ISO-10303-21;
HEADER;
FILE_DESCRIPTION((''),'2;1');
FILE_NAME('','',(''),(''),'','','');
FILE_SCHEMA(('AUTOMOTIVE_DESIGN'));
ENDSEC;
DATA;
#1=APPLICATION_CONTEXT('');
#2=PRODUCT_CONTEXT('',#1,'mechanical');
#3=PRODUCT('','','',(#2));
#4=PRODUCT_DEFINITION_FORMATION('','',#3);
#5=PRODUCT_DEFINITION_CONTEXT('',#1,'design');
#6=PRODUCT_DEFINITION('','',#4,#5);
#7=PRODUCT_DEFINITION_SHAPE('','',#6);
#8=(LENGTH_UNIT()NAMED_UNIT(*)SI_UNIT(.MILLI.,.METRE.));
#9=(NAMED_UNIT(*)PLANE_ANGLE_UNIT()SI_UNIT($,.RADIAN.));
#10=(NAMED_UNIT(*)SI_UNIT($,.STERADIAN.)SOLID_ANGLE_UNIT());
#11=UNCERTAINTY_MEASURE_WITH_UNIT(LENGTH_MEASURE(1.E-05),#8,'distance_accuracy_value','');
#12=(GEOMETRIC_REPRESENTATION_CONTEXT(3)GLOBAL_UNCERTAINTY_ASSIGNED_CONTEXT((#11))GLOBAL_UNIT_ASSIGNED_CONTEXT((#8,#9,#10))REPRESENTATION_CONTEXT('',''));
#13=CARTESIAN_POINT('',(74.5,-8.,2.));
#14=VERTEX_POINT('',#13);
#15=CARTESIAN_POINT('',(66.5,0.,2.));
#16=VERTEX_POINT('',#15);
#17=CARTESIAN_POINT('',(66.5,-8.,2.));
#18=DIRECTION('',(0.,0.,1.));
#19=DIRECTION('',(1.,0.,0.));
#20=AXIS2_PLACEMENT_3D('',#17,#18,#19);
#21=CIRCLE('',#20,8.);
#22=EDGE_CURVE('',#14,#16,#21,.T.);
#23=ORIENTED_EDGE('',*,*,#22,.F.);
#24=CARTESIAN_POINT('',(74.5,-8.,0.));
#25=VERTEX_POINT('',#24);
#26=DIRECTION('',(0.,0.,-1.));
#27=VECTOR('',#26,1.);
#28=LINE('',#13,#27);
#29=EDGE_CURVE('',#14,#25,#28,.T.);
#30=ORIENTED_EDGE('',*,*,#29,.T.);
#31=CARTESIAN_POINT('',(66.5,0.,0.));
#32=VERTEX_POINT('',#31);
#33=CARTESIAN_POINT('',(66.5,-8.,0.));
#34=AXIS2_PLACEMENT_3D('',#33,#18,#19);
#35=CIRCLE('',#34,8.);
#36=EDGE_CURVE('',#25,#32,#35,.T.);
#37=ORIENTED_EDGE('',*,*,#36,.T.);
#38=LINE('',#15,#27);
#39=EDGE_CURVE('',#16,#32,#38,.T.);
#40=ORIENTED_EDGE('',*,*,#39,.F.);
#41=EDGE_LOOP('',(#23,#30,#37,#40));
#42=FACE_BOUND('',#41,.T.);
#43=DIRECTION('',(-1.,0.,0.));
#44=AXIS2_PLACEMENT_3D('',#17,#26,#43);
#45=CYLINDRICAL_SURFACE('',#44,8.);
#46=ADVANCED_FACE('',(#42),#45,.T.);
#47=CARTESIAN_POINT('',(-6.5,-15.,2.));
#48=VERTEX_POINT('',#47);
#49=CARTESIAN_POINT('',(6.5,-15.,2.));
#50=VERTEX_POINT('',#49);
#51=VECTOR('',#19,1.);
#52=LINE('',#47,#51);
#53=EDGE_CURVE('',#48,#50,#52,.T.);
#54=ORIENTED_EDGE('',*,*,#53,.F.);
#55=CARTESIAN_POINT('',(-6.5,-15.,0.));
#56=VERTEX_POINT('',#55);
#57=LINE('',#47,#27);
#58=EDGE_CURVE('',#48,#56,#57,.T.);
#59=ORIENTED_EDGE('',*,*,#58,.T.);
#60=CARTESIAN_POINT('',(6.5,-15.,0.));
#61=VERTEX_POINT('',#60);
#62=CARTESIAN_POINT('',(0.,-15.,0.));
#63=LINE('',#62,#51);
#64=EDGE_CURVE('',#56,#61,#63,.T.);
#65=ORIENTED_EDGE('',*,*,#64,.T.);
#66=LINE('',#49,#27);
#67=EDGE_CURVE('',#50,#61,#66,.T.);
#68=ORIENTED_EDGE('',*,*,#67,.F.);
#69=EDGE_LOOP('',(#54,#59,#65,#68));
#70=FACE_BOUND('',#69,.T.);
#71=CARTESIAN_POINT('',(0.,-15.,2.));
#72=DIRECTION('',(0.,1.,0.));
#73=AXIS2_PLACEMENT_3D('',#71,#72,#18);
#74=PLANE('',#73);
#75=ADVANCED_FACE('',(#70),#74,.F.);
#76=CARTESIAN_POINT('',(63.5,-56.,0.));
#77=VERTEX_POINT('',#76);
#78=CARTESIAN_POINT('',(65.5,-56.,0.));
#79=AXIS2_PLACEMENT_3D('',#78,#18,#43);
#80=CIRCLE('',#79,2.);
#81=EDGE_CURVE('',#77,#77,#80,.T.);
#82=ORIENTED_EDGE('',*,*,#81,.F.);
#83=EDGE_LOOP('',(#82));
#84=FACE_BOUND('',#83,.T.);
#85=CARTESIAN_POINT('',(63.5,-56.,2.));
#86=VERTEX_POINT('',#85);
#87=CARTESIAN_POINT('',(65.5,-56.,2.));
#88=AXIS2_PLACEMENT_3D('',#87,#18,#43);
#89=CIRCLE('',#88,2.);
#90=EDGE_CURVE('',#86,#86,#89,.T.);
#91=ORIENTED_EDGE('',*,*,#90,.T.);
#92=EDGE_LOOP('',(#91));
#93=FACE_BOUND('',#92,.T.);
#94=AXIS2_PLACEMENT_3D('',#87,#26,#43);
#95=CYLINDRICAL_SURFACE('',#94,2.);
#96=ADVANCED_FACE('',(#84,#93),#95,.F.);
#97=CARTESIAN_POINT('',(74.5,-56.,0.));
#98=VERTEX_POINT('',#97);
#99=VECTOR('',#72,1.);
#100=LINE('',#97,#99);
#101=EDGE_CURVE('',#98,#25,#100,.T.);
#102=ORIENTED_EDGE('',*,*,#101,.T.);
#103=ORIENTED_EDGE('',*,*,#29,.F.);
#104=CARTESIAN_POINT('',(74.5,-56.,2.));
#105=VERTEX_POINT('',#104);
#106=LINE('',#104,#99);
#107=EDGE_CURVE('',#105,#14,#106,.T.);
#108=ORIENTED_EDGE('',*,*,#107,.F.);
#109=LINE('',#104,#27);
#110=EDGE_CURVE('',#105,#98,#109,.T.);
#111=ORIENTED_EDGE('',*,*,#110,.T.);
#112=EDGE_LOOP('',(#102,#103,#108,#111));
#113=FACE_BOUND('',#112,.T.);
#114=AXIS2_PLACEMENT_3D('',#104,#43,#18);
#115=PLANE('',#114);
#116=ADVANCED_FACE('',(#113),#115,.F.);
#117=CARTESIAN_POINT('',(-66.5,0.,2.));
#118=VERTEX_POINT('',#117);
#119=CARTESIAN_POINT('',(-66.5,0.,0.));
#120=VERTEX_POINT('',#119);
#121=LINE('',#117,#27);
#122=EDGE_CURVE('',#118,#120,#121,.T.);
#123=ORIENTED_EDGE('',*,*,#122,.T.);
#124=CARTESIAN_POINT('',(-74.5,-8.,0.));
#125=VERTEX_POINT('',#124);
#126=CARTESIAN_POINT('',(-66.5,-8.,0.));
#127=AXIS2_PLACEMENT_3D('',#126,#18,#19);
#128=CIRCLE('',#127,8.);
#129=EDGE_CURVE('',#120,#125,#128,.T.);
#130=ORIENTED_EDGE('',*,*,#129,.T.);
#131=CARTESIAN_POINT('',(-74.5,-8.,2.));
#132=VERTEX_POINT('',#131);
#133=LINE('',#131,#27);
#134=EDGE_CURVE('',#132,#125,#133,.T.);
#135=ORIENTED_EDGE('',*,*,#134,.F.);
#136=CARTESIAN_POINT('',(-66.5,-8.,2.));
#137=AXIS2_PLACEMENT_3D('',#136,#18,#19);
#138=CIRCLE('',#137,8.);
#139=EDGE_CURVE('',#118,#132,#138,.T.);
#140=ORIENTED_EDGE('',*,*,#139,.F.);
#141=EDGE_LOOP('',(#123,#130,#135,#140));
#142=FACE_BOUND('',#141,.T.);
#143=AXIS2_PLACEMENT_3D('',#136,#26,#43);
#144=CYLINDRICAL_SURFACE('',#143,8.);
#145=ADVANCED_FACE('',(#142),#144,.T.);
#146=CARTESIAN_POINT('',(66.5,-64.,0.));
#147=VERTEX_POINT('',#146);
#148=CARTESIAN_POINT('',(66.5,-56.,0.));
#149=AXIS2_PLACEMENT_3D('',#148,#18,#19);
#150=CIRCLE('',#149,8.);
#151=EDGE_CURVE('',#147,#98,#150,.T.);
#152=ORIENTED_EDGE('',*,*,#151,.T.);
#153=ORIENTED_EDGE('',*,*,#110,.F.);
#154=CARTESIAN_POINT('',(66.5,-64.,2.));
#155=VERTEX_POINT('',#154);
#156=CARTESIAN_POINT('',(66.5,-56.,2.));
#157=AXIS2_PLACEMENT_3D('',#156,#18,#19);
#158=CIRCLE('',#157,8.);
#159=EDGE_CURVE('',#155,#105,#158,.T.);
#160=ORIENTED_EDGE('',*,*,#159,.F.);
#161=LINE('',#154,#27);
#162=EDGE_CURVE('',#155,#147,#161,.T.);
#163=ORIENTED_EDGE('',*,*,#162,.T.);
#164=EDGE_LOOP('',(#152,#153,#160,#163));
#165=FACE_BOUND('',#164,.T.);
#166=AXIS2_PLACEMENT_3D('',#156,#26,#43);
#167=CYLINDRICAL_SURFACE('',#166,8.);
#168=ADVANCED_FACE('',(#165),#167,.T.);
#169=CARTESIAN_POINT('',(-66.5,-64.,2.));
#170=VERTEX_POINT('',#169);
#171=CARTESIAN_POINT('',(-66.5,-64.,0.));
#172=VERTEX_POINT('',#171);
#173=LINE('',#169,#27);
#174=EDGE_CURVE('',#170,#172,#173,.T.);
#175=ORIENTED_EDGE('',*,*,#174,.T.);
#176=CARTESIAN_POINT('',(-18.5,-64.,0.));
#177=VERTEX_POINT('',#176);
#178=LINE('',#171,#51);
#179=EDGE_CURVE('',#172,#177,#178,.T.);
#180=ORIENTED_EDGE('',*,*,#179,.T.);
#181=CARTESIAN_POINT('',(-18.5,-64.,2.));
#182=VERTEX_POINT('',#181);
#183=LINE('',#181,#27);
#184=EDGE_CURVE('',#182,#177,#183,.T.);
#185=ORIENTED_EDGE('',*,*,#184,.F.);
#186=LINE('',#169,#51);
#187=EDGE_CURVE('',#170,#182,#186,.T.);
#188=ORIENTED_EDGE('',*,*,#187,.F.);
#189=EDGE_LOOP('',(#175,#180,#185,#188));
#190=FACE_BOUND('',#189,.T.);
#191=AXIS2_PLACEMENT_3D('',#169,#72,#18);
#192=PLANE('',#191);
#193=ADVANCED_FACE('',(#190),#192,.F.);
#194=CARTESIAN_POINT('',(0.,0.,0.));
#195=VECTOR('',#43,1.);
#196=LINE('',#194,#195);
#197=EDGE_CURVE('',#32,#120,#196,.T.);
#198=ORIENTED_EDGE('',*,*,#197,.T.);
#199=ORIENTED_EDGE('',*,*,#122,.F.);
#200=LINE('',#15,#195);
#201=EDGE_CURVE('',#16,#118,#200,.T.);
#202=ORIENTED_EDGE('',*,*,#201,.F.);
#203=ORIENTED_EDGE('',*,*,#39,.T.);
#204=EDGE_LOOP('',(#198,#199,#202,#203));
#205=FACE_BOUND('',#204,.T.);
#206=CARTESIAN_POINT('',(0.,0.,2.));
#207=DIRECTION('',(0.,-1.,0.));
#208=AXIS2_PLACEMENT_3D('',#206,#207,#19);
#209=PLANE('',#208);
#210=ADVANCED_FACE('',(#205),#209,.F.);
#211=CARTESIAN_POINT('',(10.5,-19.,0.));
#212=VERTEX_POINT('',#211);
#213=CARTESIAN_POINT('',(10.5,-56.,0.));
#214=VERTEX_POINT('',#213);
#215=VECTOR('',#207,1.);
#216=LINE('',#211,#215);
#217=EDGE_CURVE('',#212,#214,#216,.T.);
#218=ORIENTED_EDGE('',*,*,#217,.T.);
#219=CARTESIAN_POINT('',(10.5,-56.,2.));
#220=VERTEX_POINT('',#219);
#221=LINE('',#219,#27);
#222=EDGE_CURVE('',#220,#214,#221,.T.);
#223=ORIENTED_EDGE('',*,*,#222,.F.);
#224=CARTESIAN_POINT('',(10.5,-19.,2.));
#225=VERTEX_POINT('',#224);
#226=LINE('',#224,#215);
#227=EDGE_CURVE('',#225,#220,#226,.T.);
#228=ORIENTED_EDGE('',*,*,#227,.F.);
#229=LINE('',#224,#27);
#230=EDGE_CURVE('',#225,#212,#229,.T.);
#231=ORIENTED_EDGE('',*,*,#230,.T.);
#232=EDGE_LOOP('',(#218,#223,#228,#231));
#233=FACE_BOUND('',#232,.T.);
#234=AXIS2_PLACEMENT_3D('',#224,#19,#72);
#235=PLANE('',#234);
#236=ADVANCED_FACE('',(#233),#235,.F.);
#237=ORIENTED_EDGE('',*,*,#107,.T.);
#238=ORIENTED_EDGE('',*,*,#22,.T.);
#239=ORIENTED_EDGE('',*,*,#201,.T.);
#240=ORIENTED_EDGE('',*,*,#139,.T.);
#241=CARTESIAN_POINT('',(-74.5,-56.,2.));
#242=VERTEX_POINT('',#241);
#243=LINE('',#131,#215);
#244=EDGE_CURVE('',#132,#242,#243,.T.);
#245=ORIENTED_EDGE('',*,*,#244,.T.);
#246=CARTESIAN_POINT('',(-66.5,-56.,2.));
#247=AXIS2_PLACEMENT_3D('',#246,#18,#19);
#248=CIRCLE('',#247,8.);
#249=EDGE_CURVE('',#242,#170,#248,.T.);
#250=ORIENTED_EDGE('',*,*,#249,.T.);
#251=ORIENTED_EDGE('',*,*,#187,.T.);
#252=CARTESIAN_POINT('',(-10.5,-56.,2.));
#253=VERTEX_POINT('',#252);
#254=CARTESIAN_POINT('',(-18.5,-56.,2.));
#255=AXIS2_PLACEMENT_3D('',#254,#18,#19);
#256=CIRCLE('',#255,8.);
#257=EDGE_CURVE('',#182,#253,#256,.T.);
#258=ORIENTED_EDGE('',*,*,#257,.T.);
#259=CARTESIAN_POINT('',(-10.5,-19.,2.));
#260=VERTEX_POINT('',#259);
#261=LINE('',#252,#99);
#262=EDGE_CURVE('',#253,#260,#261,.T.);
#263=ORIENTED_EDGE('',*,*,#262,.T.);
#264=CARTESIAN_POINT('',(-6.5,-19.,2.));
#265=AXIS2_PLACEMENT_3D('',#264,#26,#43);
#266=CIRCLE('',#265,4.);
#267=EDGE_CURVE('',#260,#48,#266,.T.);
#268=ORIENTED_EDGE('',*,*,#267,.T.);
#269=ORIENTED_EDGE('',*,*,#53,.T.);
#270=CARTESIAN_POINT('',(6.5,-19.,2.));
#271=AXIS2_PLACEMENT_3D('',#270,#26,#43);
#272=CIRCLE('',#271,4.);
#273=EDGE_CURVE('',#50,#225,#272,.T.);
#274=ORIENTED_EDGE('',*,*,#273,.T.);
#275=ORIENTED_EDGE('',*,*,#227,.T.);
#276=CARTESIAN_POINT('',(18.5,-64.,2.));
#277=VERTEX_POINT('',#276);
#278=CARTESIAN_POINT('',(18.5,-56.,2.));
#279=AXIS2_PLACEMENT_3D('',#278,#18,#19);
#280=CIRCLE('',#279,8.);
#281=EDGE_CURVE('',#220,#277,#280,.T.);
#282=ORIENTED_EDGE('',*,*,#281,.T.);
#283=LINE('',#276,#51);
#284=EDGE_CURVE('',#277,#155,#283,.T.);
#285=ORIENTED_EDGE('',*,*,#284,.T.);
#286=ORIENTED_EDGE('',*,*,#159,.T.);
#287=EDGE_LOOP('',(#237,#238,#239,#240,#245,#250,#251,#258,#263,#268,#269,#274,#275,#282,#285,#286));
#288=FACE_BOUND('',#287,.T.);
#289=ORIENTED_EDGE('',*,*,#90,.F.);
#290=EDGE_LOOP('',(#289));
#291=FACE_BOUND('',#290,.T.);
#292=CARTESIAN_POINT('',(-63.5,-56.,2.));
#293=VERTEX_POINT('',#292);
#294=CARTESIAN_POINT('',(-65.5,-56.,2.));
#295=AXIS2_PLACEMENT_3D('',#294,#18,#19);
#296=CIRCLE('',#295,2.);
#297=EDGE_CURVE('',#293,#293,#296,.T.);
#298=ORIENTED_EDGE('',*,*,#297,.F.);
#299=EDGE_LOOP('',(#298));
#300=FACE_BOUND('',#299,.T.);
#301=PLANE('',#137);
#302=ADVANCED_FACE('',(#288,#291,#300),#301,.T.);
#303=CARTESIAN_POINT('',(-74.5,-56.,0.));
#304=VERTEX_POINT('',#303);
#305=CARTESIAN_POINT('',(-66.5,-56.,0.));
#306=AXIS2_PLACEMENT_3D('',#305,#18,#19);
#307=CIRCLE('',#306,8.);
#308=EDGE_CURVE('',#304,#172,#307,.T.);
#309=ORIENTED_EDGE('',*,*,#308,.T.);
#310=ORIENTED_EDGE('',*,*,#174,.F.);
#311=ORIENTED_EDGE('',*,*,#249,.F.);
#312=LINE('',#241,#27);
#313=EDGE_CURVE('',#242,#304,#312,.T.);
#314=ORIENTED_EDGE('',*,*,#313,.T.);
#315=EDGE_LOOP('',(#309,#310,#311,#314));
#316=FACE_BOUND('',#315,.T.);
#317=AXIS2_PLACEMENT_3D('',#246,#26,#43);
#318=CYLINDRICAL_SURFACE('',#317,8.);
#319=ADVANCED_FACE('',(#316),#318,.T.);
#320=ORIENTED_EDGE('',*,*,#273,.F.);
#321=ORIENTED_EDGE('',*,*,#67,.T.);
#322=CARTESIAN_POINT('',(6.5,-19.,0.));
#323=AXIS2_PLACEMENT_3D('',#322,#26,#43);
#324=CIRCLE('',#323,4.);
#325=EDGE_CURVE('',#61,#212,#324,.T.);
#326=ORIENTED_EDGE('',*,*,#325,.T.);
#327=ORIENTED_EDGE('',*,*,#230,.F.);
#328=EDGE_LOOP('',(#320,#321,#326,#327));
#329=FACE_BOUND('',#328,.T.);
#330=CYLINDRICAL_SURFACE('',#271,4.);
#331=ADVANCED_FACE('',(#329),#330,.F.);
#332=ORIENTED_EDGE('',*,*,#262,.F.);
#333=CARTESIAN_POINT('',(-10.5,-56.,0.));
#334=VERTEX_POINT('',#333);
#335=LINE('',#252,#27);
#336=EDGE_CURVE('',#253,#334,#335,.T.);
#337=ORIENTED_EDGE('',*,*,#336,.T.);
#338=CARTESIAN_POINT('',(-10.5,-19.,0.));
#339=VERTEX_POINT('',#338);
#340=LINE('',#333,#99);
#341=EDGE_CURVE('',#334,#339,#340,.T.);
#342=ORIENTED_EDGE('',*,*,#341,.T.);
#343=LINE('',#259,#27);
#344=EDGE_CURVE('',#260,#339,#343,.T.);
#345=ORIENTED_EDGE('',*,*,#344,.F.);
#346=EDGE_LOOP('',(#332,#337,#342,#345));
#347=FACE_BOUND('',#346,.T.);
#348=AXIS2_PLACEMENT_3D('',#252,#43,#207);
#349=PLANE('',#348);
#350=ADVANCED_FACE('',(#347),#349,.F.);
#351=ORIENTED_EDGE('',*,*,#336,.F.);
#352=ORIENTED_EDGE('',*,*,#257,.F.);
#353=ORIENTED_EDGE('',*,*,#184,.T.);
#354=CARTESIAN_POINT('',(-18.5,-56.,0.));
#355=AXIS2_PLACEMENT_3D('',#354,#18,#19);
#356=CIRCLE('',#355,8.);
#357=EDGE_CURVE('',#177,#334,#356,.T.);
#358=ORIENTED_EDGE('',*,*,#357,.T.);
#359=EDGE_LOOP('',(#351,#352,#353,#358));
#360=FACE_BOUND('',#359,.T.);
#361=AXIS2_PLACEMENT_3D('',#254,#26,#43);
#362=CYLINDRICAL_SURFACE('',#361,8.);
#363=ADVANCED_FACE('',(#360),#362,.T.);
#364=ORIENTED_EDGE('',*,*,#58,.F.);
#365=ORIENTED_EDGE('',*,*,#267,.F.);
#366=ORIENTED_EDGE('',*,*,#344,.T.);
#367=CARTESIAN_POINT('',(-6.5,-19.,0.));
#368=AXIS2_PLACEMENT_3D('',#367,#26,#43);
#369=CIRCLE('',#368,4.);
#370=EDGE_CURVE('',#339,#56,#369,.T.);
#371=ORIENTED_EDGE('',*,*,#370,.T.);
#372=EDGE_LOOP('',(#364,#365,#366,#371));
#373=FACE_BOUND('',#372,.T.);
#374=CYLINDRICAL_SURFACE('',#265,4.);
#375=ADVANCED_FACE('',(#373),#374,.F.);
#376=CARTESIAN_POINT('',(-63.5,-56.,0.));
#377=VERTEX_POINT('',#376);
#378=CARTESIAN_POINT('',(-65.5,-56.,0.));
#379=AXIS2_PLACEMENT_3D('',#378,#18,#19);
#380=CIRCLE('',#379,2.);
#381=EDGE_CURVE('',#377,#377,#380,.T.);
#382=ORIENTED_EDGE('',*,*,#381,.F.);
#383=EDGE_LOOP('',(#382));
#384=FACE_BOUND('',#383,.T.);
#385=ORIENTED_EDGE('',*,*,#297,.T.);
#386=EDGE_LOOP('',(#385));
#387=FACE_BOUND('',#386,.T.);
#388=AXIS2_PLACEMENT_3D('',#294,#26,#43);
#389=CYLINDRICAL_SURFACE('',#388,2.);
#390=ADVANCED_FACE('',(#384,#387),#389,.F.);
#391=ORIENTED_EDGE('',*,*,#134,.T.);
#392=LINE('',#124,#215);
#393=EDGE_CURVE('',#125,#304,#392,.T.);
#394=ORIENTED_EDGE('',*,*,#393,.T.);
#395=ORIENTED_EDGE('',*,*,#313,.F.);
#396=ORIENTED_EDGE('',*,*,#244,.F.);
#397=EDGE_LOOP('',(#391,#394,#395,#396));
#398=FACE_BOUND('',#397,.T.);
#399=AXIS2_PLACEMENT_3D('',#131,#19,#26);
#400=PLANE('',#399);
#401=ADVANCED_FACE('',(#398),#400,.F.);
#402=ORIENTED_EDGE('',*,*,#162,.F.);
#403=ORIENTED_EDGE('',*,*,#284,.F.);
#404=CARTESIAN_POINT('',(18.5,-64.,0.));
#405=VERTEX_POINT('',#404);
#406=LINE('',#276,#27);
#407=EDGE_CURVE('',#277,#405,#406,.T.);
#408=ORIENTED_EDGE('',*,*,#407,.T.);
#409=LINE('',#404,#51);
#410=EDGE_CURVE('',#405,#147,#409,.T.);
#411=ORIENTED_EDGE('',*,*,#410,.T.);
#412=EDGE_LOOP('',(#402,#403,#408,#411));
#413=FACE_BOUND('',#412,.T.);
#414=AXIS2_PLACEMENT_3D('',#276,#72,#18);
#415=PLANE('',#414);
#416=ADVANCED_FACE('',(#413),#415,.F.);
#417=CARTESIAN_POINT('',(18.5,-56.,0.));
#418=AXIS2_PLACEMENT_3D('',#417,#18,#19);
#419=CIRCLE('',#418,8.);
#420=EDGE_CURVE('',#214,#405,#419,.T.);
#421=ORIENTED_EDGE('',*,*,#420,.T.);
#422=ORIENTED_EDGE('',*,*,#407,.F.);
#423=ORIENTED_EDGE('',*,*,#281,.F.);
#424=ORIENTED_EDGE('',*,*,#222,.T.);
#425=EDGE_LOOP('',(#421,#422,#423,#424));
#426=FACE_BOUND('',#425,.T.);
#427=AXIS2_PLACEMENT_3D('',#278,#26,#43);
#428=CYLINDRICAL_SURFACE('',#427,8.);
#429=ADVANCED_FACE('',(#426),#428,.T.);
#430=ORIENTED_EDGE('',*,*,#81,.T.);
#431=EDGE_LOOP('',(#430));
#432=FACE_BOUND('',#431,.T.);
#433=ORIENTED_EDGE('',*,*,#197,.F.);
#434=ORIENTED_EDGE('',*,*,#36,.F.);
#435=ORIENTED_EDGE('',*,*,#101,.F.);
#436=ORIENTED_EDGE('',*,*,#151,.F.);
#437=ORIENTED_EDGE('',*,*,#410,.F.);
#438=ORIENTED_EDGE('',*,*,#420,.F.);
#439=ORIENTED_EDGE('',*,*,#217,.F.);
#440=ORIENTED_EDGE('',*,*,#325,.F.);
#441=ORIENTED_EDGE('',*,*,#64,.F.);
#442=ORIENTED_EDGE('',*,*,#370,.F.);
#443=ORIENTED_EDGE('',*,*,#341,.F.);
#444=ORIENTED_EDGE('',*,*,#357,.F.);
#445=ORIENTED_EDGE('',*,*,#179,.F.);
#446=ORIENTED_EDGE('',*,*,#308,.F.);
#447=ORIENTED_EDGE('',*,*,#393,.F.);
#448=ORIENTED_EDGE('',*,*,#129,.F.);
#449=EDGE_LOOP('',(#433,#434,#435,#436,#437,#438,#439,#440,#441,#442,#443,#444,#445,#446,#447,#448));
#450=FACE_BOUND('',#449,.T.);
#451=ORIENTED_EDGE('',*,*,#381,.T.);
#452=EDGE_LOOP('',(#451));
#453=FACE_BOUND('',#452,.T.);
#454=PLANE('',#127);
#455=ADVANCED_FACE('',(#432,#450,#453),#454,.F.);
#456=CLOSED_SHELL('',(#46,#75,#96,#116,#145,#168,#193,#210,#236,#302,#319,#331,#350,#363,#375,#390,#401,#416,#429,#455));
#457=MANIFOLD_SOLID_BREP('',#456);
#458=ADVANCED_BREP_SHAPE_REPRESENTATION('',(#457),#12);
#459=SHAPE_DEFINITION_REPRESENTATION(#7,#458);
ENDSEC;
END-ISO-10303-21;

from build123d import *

# Parameters (mm, degrees)
SKETCH1_R           = 2
BOSS_EXTRUDE1_DEPTH = 2


with BuildPart() as part:
    # Sketch1 → Boss-Extrude1 (new body)
    with BuildSketch(Plane.XY):
        with BuildLine():
            Line((0, 0), (-66.5, 0))
            ThreePointArc((-66.5, 0), (-72.156854249, -2.343145751), (-74.5, -8))
            Line((-74.5, -8), (-74.5, -56))
            ThreePointArc((-74.5, -56), (-72.156854249, -61.656854249), (-66.5, -64))
            Line((-66.5, -64), (-18.5, -64))
            ThreePointArc((-18.5, -64), (-12.843145751, -61.656854249), (-10.5, -56))
            Line((-10.5, -56), (-10.5, -19))
            ThreePointArc((-10.5, -19), (-9.328427125, -16.171572875), (-6.5, -15))
            Line((-6.5, -15), (0, -15))
            Line((0, -15), (6.5, -15))
            ThreePointArc((6.5, -15), (9.328427125, -16.171572875), (10.5, -19))
            Line((10.5, -19), (10.5, -56))
            ThreePointArc((10.5, -56), (12.843145751, -61.656854249), (18.5, -64))
            Line((18.5, -64), (66.5, -64))
            ThreePointArc((66.5, -64), (72.156854249, -61.656854249), (74.5, -56))
            Line((74.5, -56), (74.5, -8))
            ThreePointArc((74.5, -8), (72.156854249, -2.343145751), (66.5, 0))
            Line((66.5, 0), (0, 0))
        make_face()
        with Locations((-65.5, -56)):
            Circle(SKETCH1_R, mode=Mode.SUBTRACT)
        with Locations(Location((65.5, -56, 0), (0, 0, 180))):
            Circle(SKETCH1_R, mode=Mode.SUBTRACT)
    extrude(amount=BOSS_EXTRUDE1_DEPTH)


solid = part.part
